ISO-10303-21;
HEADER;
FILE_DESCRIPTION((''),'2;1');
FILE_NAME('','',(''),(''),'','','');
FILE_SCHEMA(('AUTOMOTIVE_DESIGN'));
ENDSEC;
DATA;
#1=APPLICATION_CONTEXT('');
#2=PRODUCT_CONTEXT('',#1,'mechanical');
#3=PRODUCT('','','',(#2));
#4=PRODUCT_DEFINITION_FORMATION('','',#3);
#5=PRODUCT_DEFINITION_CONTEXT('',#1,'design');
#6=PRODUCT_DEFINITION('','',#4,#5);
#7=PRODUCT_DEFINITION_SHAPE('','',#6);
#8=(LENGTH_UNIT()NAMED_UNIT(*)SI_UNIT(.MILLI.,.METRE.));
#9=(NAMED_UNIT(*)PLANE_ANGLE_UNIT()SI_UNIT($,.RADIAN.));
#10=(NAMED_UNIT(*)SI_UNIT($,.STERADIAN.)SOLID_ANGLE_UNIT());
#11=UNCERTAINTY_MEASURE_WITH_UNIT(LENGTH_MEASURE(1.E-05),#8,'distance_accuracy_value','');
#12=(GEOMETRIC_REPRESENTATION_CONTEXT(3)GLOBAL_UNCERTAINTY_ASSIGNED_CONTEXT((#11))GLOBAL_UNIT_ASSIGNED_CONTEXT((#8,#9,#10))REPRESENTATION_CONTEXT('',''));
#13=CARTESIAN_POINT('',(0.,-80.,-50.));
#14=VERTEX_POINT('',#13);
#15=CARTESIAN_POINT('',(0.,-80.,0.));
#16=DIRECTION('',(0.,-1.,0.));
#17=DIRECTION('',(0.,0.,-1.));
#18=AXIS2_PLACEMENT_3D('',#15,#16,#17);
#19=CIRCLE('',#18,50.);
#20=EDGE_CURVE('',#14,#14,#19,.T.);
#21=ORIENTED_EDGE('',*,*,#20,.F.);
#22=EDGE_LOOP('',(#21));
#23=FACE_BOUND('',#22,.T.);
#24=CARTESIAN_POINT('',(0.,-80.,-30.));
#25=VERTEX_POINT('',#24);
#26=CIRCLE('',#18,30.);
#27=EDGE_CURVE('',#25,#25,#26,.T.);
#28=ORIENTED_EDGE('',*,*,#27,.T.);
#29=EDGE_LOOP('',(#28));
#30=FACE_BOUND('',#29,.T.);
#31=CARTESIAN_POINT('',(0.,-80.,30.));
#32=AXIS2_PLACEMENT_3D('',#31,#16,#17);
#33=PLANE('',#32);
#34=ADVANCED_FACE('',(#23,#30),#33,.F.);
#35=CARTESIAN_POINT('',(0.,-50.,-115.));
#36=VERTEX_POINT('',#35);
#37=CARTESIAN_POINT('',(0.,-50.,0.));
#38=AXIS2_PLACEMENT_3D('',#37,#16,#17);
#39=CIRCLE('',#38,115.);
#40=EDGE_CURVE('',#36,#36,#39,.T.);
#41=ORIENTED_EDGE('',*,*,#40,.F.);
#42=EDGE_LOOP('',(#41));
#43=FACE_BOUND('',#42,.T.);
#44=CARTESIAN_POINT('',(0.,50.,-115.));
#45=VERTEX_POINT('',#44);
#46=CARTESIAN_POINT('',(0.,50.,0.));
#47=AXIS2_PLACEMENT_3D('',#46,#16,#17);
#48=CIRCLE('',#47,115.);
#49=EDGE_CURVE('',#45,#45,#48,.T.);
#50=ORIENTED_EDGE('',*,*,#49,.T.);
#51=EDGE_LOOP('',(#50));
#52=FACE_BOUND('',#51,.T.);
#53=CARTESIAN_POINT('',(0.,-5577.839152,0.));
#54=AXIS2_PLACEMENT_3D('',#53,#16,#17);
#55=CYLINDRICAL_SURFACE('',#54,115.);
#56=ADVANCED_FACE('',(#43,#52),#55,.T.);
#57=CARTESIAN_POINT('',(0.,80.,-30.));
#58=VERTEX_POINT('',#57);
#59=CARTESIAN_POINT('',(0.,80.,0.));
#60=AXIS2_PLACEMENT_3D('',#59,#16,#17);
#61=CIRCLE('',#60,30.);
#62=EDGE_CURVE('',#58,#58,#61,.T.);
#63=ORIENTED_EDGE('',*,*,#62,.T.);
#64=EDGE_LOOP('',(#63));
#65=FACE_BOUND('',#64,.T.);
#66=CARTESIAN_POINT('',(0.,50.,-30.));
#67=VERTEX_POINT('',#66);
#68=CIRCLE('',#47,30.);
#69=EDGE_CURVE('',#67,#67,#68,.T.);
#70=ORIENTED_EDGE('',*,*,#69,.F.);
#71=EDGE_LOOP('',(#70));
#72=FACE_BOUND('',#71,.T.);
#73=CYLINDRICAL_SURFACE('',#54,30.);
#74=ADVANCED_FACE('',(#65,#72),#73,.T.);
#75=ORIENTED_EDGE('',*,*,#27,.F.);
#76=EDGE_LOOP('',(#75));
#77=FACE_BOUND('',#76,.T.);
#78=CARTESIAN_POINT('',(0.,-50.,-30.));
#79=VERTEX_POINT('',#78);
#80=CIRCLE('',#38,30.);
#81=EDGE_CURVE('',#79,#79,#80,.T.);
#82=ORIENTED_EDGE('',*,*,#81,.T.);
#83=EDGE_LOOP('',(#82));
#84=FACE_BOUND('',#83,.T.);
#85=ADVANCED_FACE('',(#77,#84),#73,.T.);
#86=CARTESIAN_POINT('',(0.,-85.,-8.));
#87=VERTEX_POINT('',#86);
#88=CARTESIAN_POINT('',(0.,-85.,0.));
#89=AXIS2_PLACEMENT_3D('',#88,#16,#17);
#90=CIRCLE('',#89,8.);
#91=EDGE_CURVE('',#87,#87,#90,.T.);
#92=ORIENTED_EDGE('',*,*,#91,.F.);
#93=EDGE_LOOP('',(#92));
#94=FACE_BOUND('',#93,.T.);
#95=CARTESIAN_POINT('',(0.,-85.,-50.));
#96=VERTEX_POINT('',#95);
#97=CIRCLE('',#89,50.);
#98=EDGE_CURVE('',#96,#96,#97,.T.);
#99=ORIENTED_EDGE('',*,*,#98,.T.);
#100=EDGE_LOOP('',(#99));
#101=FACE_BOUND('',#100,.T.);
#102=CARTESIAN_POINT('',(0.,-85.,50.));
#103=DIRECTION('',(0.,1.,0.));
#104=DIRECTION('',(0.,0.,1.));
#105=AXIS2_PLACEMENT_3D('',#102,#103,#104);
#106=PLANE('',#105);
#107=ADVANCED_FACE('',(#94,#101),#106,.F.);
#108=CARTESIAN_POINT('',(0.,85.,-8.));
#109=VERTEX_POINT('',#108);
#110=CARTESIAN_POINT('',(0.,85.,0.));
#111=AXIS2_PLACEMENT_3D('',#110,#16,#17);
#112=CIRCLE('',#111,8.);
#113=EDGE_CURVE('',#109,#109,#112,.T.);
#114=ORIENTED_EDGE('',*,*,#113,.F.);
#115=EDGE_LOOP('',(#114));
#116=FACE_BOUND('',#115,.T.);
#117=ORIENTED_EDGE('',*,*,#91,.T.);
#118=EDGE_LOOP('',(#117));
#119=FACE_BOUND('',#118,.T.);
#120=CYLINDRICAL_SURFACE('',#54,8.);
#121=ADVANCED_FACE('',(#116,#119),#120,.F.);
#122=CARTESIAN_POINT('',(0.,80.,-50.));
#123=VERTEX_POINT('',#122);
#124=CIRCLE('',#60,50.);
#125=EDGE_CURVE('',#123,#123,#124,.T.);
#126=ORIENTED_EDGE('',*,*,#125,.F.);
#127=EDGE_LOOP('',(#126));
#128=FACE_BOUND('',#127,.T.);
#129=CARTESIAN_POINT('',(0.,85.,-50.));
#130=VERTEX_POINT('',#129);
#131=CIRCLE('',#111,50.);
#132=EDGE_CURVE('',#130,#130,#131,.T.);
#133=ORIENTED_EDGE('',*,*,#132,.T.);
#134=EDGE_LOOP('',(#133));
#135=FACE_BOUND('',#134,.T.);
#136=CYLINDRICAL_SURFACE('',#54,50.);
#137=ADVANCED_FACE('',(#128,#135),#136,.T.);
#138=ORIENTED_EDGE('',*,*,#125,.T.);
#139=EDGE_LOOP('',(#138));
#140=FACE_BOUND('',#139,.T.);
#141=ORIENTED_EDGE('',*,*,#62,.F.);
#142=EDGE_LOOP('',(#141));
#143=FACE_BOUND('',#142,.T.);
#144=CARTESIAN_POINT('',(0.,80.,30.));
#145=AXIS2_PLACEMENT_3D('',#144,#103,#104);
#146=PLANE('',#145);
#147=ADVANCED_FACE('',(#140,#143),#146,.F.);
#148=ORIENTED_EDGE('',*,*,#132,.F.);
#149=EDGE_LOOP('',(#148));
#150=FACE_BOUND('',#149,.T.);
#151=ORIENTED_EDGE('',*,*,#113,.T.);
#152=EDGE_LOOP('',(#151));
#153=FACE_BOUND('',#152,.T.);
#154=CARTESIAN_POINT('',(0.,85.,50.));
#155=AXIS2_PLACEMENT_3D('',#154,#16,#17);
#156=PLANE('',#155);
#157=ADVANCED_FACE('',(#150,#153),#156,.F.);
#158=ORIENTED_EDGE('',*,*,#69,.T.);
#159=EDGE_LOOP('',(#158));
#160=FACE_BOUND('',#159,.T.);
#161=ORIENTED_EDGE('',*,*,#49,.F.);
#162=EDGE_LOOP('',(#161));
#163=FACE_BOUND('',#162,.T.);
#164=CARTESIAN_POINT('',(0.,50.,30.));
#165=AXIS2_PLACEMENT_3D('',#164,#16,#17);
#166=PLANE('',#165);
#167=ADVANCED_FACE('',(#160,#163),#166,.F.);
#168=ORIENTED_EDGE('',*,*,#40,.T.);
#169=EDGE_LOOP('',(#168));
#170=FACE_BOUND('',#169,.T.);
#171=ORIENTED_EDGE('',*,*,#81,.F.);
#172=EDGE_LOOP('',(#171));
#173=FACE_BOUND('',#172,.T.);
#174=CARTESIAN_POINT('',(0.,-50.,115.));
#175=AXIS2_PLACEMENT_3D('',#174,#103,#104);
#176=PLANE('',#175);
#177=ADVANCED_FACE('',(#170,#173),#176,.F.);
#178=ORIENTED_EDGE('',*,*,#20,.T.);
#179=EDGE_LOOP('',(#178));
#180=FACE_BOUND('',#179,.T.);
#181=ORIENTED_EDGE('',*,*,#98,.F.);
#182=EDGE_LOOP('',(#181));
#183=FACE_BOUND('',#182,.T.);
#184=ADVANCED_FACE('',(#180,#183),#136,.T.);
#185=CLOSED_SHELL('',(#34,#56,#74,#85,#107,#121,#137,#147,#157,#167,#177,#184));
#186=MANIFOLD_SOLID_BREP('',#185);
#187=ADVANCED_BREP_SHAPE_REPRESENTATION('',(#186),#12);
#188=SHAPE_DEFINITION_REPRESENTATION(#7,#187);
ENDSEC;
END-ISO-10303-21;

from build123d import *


with BuildPart() as part:
    # Sketch1 → Revolve1 (revolve)
    with BuildSketch(Plane(origin=(0, 0, 0), x_dir=(0, 0, -1), z_dir=(1, 0, 0)), mode=Mode.PRIVATE) as revolve1_sk:
        Polygon((-30, 80), (-50, 80), (-50, 85), (-8, 85), (-8, -85), (-50, -85), (-50, -80), (-30, -80), (-30, -50), (-115, -50), (-115, 50), (-30, 50), align=None)
    revolve(revolve1_sk.sketch.rotate(Axis((0, -5577.839151729, 0), (0, 1, 0)), 180), axis=Axis((0, -5577.839151729, 0), (0, 1, 0)))


solid = part.part
